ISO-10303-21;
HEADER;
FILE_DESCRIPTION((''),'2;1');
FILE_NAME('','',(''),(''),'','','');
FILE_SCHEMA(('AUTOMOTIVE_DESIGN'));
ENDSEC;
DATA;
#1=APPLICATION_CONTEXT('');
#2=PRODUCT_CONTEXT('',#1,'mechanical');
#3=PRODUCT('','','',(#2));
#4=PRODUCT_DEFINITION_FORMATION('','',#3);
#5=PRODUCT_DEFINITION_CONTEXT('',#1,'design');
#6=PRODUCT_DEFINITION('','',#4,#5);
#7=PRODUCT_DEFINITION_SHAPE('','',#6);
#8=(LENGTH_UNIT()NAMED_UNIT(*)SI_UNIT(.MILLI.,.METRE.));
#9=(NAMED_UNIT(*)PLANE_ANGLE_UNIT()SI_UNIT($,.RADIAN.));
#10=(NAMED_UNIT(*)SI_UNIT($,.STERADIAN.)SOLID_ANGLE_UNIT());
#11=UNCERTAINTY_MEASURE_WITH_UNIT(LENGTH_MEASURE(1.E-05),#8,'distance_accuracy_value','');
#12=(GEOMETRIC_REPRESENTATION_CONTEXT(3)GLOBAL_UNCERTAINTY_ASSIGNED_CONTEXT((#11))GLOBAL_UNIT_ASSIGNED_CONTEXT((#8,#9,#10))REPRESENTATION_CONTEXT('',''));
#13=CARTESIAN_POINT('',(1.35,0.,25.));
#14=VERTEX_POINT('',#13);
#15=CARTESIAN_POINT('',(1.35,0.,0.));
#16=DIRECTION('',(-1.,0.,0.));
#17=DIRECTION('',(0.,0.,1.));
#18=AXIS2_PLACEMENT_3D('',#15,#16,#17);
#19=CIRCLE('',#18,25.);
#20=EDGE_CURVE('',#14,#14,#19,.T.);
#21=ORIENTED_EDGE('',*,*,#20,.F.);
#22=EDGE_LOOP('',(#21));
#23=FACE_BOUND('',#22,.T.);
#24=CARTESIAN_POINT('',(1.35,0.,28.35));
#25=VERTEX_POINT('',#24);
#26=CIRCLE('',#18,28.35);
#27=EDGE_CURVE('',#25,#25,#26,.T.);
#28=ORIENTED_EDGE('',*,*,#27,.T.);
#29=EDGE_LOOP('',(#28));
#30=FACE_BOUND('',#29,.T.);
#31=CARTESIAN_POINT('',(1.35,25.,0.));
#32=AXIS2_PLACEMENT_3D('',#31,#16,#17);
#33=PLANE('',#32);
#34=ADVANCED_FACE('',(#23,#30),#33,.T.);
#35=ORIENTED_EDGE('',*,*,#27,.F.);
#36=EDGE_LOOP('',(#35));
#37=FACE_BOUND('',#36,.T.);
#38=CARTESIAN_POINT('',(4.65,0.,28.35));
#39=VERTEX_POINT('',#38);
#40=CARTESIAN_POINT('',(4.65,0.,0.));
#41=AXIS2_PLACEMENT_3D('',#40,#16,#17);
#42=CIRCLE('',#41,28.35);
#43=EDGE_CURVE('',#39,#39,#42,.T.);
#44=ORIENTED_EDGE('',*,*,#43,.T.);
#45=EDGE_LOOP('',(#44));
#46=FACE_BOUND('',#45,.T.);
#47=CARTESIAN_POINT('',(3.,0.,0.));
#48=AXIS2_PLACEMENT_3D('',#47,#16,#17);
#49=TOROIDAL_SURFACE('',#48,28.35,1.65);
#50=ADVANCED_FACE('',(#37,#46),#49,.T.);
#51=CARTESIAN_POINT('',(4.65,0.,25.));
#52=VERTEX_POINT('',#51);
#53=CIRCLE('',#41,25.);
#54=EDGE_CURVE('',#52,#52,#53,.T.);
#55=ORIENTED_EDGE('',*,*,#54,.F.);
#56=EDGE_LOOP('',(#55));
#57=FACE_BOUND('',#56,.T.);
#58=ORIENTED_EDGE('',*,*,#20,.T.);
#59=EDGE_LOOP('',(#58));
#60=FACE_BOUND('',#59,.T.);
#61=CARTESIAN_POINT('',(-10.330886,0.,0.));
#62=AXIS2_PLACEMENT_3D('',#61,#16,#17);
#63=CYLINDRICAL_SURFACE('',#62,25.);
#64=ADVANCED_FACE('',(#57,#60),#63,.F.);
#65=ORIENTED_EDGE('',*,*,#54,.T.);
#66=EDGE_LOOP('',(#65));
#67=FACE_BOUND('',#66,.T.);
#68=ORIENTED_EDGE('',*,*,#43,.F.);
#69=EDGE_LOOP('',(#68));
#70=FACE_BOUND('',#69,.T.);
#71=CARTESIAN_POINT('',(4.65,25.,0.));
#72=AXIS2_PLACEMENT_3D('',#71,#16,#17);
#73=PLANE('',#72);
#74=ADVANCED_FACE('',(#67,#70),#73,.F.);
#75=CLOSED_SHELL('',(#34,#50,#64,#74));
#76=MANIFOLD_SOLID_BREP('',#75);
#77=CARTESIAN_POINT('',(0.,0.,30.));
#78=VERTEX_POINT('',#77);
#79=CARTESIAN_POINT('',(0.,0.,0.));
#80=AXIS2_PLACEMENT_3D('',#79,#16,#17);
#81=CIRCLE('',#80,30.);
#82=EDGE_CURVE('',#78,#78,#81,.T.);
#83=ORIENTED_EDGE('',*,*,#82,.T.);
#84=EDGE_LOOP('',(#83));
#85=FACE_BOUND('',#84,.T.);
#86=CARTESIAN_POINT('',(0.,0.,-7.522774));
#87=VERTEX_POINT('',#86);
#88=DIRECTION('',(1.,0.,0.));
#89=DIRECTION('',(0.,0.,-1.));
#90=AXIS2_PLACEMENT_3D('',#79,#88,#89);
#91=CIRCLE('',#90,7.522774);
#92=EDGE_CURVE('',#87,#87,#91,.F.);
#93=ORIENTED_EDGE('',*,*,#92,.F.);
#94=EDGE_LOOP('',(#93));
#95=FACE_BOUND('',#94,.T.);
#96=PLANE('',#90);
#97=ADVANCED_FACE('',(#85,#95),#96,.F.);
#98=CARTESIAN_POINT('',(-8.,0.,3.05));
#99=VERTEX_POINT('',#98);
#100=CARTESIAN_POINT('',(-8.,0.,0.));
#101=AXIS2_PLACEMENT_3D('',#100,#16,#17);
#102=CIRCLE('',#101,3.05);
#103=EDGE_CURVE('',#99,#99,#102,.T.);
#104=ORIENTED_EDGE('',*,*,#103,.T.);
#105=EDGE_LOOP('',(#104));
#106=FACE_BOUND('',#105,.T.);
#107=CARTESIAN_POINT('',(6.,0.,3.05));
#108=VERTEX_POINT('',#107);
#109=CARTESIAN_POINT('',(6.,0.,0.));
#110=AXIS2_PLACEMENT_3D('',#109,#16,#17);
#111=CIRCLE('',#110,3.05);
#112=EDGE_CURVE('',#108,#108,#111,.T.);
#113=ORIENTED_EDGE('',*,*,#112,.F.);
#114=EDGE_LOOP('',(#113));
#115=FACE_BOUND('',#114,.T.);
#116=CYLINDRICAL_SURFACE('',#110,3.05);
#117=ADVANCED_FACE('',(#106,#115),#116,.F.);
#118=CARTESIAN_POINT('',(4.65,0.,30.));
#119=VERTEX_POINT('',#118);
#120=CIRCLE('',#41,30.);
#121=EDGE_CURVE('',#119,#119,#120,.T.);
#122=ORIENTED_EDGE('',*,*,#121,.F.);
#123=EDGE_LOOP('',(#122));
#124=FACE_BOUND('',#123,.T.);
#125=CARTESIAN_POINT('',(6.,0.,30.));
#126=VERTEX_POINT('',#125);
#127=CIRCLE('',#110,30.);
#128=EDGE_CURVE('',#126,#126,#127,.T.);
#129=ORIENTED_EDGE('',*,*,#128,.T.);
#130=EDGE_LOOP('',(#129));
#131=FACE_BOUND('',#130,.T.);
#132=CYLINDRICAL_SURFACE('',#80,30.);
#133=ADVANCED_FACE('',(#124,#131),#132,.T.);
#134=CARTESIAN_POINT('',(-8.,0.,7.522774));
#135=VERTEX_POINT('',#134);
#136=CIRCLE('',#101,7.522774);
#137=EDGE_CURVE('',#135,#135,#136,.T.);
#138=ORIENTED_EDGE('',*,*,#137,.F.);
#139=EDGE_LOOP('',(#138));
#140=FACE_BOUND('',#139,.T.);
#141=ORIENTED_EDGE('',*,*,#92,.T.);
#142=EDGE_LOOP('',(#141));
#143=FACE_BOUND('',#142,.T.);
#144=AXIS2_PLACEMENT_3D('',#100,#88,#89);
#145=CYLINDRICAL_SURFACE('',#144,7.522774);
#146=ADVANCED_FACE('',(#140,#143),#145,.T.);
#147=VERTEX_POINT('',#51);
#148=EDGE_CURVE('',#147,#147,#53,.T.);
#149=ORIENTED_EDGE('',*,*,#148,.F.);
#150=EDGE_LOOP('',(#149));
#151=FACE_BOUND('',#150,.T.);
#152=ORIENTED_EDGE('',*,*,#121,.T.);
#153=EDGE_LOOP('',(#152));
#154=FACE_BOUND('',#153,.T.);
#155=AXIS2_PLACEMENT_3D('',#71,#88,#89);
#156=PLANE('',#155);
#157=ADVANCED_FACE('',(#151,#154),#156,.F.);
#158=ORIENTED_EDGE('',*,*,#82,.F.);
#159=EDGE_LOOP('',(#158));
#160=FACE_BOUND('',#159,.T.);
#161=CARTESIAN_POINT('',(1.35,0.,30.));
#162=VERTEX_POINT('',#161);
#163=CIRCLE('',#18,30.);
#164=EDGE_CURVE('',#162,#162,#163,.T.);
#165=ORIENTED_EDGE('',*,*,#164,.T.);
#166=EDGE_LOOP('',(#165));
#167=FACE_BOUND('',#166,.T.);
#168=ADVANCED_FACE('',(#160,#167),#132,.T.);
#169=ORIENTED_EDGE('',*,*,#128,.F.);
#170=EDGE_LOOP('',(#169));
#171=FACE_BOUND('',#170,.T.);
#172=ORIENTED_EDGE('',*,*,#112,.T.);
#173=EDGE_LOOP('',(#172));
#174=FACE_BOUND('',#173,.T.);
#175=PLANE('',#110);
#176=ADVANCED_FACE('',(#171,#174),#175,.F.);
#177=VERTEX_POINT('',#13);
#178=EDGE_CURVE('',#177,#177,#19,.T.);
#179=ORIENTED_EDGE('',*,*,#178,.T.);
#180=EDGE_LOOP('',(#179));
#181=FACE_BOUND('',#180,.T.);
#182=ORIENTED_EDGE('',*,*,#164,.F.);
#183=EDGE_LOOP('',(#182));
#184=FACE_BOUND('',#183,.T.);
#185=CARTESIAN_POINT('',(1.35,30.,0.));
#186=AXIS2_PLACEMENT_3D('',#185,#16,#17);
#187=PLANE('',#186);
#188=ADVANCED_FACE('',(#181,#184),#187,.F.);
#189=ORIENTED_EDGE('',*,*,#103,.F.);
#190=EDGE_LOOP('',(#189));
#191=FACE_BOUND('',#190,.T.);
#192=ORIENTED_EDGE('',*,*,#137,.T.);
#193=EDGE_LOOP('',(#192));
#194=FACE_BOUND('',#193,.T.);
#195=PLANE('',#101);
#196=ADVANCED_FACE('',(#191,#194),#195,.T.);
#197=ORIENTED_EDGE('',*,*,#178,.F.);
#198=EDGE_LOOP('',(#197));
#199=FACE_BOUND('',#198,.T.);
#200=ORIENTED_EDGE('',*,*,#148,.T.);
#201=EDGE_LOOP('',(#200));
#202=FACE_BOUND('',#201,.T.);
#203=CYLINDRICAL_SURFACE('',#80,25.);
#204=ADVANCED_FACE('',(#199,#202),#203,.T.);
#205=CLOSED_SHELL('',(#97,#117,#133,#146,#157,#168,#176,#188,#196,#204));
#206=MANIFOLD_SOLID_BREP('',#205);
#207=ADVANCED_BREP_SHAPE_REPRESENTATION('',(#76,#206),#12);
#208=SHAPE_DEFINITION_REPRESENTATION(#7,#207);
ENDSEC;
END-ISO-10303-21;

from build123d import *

# Parameters (mm, degrees)
ESQUISSE3_R             = 7.522774239
BOSS_EXTRU_1_DEPTH      = 8
ESQUISSE4_R             = 3.05
ENL_V_MAT_EXTRU_1_DEPTH = 45.676615942


with BuildPart() as part:
    # Esquisse1 → Révolution1 (revolve)
    with BuildSketch(Plane.XY, mode=Mode.PRIVATE) as r_volution1_sk:
        Polygon((1.35, 30), (1.35, 25), (4.65, 25), (4.65, 30), (6, 30), (6, 0), (0, 0), (0, 30), align=None)
    revolve(r_volution1_sk.sketch.rotate(Axis((0, 0, 0), (1, 0, 0)), 90), axis=Axis((0, 0, 0), (1, 0, 0)))

    # Esquisse3 → Boss.-Extru.1 (add)
    with BuildSketch(Plane.ZY):
        with Locations(Location((0, 0, 0), (0, 0, 180))):
            Circle(ESQUISSE3_R)
    extrude(amount=BOSS_EXTRU_1_DEPTH)

    # Esquisse4 → Enlèv. mat.-Extru.1 (cut, through all)
    with BuildSketch(Plane.ZY.offset(8)):
        Circle(ESQUISSE4_R)
    extrude(amount=-ENL_V_MAT_EXTRU_1_DEPTH, mode=Mode.SUBTRACT)


with BuildPart() as body_2:
    # Esquisse2 → Révolution2 (revolve)
    with BuildSketch(Plane.XY, mode=Mode.PRIVATE) as r_volution2_sk:
        with BuildLine():
            Line((4.65, 25), (1.35, 25))
            Line((1.35, 25), (1.35, 28.35))
            ThreePointArc((1.35, 28.35), (3, 30), (4.65, 28.35))
            Line((4.65, 28.35), (4.65, 25))
        make_face()
    revolve(r_volution2_sk.sketch.rotate(Axis((-10.330885644, 0, 0), (1, 0, 0)), 90), axis=Axis((-10.330885644, 0, 0), (1, 0, 0)))


solid = Compound([part.part, body_2.part])
